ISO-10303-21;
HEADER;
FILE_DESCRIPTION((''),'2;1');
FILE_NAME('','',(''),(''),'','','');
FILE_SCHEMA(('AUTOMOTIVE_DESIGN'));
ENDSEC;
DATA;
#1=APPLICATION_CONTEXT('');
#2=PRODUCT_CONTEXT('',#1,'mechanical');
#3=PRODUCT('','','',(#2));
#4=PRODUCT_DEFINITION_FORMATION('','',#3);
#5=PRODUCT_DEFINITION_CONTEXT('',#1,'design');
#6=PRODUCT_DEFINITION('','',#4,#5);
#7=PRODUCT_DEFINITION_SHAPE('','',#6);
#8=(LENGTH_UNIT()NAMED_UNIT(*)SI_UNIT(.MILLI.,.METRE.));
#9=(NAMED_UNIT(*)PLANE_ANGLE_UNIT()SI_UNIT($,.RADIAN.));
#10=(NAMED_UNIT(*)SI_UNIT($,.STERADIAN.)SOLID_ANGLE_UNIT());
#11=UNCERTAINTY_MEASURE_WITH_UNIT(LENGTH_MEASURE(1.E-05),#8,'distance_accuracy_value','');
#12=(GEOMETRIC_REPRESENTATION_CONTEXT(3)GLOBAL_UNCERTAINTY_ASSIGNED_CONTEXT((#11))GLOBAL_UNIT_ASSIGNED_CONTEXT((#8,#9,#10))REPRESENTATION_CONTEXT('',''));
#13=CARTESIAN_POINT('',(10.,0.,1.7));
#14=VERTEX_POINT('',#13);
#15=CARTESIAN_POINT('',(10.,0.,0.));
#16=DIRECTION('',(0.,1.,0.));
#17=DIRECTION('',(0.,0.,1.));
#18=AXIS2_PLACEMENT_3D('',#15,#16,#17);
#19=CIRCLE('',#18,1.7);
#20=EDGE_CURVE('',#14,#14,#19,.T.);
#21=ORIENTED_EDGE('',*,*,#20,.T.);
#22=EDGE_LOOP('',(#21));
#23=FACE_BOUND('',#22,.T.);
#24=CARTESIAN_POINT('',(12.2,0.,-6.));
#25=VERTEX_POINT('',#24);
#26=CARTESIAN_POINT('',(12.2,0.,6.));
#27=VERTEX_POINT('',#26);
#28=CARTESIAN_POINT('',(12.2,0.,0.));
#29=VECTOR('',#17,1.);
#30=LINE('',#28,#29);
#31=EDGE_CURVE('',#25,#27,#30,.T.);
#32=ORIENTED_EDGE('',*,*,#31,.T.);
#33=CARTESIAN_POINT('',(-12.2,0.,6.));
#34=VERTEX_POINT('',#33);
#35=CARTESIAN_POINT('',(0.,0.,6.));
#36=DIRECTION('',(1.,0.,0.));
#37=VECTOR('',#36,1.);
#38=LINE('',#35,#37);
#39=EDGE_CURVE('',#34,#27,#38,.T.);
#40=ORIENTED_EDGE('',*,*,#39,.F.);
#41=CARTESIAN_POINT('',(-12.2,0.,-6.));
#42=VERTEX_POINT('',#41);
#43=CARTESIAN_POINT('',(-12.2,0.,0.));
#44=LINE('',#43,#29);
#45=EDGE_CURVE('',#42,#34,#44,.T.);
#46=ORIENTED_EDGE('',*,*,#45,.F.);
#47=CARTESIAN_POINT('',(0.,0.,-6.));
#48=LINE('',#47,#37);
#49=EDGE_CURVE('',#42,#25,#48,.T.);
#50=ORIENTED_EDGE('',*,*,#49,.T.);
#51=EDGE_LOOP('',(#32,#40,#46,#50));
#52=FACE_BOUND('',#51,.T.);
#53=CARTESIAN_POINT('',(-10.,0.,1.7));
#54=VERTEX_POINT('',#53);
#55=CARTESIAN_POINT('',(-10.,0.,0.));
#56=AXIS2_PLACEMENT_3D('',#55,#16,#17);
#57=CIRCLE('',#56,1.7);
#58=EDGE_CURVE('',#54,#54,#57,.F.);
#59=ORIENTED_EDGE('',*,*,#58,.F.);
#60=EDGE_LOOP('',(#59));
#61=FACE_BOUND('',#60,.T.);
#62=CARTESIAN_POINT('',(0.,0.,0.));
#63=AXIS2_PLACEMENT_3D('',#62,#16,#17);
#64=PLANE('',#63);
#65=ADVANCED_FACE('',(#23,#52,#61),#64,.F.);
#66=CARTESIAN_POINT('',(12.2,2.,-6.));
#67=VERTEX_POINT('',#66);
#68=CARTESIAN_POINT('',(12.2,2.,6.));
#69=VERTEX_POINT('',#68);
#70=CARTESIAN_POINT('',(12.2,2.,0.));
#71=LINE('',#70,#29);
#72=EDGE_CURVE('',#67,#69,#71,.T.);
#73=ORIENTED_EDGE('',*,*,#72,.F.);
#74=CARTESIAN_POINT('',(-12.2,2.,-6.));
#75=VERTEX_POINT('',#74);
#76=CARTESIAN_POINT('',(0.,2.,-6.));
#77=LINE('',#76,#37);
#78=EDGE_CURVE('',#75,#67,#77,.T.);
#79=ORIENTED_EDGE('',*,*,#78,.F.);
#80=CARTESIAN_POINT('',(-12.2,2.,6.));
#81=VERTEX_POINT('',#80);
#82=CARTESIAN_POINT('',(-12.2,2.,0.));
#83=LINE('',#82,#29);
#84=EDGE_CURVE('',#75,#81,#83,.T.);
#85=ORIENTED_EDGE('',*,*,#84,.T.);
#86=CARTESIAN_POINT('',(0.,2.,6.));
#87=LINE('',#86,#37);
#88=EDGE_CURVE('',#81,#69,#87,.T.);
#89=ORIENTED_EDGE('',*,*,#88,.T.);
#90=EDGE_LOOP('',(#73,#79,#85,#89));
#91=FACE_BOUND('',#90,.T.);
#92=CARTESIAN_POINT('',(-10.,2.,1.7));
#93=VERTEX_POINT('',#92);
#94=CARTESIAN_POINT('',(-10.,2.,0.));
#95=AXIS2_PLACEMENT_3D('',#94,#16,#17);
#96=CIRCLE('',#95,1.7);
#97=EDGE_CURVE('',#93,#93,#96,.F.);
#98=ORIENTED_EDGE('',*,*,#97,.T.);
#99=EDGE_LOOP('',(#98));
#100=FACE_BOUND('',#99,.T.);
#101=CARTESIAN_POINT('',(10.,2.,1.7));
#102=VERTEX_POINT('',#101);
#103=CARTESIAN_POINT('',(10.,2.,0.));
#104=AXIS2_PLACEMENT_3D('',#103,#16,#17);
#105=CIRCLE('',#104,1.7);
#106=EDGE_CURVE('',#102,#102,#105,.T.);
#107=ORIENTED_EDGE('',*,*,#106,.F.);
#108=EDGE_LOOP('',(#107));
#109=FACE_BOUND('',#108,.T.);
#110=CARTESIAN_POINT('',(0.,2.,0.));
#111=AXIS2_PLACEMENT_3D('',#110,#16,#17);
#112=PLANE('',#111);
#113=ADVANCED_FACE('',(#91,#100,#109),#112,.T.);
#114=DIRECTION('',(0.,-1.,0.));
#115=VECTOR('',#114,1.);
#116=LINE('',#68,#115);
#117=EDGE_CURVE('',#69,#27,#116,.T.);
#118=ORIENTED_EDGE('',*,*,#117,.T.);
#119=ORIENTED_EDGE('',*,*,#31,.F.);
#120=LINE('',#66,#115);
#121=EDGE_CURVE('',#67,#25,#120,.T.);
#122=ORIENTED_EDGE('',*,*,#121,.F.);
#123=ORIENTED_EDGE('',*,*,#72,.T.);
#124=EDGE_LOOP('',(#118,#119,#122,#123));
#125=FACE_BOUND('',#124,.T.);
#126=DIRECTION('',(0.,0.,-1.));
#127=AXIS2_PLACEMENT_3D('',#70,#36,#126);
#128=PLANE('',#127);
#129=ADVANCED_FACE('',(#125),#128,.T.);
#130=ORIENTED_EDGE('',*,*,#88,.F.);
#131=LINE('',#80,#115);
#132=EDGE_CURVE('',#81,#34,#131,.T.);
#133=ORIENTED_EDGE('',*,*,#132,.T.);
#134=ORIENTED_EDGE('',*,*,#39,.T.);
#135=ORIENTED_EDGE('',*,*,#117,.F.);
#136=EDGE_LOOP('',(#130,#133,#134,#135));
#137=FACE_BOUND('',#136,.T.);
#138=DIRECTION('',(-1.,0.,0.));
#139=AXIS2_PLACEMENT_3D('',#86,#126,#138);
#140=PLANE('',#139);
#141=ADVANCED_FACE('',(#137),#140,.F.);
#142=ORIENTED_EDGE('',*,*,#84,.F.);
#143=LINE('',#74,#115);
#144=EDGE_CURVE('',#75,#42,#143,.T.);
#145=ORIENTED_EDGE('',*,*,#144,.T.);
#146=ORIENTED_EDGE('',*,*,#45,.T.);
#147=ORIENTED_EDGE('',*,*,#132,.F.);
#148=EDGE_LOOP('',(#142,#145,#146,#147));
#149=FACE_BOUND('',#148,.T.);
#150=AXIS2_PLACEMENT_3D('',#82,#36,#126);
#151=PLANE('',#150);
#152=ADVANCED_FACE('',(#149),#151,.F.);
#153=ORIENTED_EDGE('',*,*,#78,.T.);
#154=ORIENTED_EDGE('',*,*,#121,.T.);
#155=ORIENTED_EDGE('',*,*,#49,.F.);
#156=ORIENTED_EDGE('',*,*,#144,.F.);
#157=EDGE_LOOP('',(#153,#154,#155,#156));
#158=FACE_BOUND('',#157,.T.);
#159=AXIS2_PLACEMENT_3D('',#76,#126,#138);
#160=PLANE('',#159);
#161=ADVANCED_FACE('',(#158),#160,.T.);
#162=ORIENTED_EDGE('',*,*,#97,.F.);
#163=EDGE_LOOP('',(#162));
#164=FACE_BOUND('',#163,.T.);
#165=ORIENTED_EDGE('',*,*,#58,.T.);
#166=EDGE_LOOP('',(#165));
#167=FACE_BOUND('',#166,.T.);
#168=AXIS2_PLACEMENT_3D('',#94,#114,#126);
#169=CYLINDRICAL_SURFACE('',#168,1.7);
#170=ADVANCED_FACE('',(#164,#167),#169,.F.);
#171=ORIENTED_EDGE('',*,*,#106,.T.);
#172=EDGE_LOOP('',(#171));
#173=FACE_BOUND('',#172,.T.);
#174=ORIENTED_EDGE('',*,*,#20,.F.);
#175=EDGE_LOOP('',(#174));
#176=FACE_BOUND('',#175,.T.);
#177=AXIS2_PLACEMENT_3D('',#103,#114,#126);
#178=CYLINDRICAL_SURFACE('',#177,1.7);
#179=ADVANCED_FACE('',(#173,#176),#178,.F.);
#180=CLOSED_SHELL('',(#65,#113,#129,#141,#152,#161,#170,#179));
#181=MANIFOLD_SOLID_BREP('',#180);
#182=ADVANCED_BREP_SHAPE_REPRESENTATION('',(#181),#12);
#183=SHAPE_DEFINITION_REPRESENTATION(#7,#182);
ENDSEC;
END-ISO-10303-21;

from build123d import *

# Parameters (mm, degrees)
CROQUIS1_R              = 1.7
SALIENTE_EXTRUIR1_DEPTH = 2


with BuildPart() as part:
    # Croquis1 → Saliente-Extruir1 (new body)
    with BuildSketch(Plane(origin=(0, 0, 0), x_dir=(1, 0, 0), z_dir=(0, 1, 0))):
        Polygon((-8.046684223, -2.46171515), (-8.046684223, 2.46171515), (-8.046684223, 6), (8.046684223, 6), (8.046684223, 2.46171515), (8.046684223, -2.46171515), (8.046684223, -6), (-8.046684223, -6), align=None)
        with BuildLine():
            Line((8.046684223, -2.46171515), (8.046684223, 2.46171515))
            ThreePointArc((8.046684223, 2.46171515), (8.827888747, 2.181898598), (9.657649034, 2.173199442))
            ThreePointArc((9.657649034, 2.173199442), (12.2, 0), (9.657649034, -2.173199442))
            ThreePointArc((9.657649034, -2.173199442), (8.827888747, -2.181898598), (8.046684223, -2.46171515))
        make_face()
        with Locations((10, 0)):
            Circle(CROQUIS1_R, mode=Mode.SUBTRACT)
        with BuildLine():
            ThreePointArc((-9.657649034, -2.173199442), (-12.2, 0), (-9.657649034, 2.173199442))
            ThreePointArc((-9.657649034, 2.173199442), (-8.827888747, 2.181898598), (-8.046684223, 2.46171515))
            Line((-8.046684223, 2.46171515), (-8.046684223, -2.46171515))
            ThreePointArc((-8.046684223, -2.46171515), (-8.827888747, -2.181898598), (-9.657649034, -2.173199442))
        make_face()
        with Locations((-10, 0)):
            Circle(CROQUIS1_R, mode=Mode.SUBTRACT)
        with BuildLine():
            Line((-8.046684223, -6), (-8.046684223, -2.46171515))
            ThreePointArc((-8.046684223, -2.46171515), (-8.827888747, -2.181898598), (-9.657649034, -2.173199442))
            ThreePointArc((-9.657649034, -2.173199442), (-11.429480303, -1.672299633), (-12.2, 0))
            Line((-12.2, 0), (-12.2, -6))
            Line((-12.2, -6), (-8.046684223, -6))
        make_face()
        with BuildLine():
            Line((-8.046684223, 2.46171515), (-8.046684223, 6))
            Line((-8.046684223, 6), (-12.2, 6))
            Line((-12.2, 6), (-12.2, 0))
            ThreePointArc((-12.2, 0), (-11.429480303, 1.672299633), (-9.657649034, 2.173199442))
            ThreePointArc((-9.657649034, 2.173199442), (-8.827888747, 2.181898598), (-8.046684223, 2.46171515))
        make_face()
        with BuildLine():
            Line((12.2, 6), (8.046684223, 6))
            Line((8.046684223, 6), (8.046684223, 2.46171515))
            ThreePointArc((8.046684223, 2.46171515), (8.827888747, 2.181898598), (9.657649034, 2.173199442))
            ThreePointArc((9.657649034, 2.173199442), (11.429480303, 1.672299633), (12.2, 0))
            Line((12.2, 0), (12.2, 6))
        make_face()
        with BuildLine():
            ThreePointArc((9.657649034, -2.173199442), (8.827888747, -2.181898598), (8.046684223, -2.46171515))
            Line((8.046684223, -2.46171515), (8.046684223, -6))
            Line((8.046684223, -6), (12.2, -6))
            Line((12.2, -6), (12.2, 0))
            ThreePointArc((12.2, 0), (11.429480303, -1.672299633), (9.657649034, -2.173199442))
        make_face()
    extrude(amount=SALIENTE_EXTRUIR1_DEPTH)


solid = part.part
